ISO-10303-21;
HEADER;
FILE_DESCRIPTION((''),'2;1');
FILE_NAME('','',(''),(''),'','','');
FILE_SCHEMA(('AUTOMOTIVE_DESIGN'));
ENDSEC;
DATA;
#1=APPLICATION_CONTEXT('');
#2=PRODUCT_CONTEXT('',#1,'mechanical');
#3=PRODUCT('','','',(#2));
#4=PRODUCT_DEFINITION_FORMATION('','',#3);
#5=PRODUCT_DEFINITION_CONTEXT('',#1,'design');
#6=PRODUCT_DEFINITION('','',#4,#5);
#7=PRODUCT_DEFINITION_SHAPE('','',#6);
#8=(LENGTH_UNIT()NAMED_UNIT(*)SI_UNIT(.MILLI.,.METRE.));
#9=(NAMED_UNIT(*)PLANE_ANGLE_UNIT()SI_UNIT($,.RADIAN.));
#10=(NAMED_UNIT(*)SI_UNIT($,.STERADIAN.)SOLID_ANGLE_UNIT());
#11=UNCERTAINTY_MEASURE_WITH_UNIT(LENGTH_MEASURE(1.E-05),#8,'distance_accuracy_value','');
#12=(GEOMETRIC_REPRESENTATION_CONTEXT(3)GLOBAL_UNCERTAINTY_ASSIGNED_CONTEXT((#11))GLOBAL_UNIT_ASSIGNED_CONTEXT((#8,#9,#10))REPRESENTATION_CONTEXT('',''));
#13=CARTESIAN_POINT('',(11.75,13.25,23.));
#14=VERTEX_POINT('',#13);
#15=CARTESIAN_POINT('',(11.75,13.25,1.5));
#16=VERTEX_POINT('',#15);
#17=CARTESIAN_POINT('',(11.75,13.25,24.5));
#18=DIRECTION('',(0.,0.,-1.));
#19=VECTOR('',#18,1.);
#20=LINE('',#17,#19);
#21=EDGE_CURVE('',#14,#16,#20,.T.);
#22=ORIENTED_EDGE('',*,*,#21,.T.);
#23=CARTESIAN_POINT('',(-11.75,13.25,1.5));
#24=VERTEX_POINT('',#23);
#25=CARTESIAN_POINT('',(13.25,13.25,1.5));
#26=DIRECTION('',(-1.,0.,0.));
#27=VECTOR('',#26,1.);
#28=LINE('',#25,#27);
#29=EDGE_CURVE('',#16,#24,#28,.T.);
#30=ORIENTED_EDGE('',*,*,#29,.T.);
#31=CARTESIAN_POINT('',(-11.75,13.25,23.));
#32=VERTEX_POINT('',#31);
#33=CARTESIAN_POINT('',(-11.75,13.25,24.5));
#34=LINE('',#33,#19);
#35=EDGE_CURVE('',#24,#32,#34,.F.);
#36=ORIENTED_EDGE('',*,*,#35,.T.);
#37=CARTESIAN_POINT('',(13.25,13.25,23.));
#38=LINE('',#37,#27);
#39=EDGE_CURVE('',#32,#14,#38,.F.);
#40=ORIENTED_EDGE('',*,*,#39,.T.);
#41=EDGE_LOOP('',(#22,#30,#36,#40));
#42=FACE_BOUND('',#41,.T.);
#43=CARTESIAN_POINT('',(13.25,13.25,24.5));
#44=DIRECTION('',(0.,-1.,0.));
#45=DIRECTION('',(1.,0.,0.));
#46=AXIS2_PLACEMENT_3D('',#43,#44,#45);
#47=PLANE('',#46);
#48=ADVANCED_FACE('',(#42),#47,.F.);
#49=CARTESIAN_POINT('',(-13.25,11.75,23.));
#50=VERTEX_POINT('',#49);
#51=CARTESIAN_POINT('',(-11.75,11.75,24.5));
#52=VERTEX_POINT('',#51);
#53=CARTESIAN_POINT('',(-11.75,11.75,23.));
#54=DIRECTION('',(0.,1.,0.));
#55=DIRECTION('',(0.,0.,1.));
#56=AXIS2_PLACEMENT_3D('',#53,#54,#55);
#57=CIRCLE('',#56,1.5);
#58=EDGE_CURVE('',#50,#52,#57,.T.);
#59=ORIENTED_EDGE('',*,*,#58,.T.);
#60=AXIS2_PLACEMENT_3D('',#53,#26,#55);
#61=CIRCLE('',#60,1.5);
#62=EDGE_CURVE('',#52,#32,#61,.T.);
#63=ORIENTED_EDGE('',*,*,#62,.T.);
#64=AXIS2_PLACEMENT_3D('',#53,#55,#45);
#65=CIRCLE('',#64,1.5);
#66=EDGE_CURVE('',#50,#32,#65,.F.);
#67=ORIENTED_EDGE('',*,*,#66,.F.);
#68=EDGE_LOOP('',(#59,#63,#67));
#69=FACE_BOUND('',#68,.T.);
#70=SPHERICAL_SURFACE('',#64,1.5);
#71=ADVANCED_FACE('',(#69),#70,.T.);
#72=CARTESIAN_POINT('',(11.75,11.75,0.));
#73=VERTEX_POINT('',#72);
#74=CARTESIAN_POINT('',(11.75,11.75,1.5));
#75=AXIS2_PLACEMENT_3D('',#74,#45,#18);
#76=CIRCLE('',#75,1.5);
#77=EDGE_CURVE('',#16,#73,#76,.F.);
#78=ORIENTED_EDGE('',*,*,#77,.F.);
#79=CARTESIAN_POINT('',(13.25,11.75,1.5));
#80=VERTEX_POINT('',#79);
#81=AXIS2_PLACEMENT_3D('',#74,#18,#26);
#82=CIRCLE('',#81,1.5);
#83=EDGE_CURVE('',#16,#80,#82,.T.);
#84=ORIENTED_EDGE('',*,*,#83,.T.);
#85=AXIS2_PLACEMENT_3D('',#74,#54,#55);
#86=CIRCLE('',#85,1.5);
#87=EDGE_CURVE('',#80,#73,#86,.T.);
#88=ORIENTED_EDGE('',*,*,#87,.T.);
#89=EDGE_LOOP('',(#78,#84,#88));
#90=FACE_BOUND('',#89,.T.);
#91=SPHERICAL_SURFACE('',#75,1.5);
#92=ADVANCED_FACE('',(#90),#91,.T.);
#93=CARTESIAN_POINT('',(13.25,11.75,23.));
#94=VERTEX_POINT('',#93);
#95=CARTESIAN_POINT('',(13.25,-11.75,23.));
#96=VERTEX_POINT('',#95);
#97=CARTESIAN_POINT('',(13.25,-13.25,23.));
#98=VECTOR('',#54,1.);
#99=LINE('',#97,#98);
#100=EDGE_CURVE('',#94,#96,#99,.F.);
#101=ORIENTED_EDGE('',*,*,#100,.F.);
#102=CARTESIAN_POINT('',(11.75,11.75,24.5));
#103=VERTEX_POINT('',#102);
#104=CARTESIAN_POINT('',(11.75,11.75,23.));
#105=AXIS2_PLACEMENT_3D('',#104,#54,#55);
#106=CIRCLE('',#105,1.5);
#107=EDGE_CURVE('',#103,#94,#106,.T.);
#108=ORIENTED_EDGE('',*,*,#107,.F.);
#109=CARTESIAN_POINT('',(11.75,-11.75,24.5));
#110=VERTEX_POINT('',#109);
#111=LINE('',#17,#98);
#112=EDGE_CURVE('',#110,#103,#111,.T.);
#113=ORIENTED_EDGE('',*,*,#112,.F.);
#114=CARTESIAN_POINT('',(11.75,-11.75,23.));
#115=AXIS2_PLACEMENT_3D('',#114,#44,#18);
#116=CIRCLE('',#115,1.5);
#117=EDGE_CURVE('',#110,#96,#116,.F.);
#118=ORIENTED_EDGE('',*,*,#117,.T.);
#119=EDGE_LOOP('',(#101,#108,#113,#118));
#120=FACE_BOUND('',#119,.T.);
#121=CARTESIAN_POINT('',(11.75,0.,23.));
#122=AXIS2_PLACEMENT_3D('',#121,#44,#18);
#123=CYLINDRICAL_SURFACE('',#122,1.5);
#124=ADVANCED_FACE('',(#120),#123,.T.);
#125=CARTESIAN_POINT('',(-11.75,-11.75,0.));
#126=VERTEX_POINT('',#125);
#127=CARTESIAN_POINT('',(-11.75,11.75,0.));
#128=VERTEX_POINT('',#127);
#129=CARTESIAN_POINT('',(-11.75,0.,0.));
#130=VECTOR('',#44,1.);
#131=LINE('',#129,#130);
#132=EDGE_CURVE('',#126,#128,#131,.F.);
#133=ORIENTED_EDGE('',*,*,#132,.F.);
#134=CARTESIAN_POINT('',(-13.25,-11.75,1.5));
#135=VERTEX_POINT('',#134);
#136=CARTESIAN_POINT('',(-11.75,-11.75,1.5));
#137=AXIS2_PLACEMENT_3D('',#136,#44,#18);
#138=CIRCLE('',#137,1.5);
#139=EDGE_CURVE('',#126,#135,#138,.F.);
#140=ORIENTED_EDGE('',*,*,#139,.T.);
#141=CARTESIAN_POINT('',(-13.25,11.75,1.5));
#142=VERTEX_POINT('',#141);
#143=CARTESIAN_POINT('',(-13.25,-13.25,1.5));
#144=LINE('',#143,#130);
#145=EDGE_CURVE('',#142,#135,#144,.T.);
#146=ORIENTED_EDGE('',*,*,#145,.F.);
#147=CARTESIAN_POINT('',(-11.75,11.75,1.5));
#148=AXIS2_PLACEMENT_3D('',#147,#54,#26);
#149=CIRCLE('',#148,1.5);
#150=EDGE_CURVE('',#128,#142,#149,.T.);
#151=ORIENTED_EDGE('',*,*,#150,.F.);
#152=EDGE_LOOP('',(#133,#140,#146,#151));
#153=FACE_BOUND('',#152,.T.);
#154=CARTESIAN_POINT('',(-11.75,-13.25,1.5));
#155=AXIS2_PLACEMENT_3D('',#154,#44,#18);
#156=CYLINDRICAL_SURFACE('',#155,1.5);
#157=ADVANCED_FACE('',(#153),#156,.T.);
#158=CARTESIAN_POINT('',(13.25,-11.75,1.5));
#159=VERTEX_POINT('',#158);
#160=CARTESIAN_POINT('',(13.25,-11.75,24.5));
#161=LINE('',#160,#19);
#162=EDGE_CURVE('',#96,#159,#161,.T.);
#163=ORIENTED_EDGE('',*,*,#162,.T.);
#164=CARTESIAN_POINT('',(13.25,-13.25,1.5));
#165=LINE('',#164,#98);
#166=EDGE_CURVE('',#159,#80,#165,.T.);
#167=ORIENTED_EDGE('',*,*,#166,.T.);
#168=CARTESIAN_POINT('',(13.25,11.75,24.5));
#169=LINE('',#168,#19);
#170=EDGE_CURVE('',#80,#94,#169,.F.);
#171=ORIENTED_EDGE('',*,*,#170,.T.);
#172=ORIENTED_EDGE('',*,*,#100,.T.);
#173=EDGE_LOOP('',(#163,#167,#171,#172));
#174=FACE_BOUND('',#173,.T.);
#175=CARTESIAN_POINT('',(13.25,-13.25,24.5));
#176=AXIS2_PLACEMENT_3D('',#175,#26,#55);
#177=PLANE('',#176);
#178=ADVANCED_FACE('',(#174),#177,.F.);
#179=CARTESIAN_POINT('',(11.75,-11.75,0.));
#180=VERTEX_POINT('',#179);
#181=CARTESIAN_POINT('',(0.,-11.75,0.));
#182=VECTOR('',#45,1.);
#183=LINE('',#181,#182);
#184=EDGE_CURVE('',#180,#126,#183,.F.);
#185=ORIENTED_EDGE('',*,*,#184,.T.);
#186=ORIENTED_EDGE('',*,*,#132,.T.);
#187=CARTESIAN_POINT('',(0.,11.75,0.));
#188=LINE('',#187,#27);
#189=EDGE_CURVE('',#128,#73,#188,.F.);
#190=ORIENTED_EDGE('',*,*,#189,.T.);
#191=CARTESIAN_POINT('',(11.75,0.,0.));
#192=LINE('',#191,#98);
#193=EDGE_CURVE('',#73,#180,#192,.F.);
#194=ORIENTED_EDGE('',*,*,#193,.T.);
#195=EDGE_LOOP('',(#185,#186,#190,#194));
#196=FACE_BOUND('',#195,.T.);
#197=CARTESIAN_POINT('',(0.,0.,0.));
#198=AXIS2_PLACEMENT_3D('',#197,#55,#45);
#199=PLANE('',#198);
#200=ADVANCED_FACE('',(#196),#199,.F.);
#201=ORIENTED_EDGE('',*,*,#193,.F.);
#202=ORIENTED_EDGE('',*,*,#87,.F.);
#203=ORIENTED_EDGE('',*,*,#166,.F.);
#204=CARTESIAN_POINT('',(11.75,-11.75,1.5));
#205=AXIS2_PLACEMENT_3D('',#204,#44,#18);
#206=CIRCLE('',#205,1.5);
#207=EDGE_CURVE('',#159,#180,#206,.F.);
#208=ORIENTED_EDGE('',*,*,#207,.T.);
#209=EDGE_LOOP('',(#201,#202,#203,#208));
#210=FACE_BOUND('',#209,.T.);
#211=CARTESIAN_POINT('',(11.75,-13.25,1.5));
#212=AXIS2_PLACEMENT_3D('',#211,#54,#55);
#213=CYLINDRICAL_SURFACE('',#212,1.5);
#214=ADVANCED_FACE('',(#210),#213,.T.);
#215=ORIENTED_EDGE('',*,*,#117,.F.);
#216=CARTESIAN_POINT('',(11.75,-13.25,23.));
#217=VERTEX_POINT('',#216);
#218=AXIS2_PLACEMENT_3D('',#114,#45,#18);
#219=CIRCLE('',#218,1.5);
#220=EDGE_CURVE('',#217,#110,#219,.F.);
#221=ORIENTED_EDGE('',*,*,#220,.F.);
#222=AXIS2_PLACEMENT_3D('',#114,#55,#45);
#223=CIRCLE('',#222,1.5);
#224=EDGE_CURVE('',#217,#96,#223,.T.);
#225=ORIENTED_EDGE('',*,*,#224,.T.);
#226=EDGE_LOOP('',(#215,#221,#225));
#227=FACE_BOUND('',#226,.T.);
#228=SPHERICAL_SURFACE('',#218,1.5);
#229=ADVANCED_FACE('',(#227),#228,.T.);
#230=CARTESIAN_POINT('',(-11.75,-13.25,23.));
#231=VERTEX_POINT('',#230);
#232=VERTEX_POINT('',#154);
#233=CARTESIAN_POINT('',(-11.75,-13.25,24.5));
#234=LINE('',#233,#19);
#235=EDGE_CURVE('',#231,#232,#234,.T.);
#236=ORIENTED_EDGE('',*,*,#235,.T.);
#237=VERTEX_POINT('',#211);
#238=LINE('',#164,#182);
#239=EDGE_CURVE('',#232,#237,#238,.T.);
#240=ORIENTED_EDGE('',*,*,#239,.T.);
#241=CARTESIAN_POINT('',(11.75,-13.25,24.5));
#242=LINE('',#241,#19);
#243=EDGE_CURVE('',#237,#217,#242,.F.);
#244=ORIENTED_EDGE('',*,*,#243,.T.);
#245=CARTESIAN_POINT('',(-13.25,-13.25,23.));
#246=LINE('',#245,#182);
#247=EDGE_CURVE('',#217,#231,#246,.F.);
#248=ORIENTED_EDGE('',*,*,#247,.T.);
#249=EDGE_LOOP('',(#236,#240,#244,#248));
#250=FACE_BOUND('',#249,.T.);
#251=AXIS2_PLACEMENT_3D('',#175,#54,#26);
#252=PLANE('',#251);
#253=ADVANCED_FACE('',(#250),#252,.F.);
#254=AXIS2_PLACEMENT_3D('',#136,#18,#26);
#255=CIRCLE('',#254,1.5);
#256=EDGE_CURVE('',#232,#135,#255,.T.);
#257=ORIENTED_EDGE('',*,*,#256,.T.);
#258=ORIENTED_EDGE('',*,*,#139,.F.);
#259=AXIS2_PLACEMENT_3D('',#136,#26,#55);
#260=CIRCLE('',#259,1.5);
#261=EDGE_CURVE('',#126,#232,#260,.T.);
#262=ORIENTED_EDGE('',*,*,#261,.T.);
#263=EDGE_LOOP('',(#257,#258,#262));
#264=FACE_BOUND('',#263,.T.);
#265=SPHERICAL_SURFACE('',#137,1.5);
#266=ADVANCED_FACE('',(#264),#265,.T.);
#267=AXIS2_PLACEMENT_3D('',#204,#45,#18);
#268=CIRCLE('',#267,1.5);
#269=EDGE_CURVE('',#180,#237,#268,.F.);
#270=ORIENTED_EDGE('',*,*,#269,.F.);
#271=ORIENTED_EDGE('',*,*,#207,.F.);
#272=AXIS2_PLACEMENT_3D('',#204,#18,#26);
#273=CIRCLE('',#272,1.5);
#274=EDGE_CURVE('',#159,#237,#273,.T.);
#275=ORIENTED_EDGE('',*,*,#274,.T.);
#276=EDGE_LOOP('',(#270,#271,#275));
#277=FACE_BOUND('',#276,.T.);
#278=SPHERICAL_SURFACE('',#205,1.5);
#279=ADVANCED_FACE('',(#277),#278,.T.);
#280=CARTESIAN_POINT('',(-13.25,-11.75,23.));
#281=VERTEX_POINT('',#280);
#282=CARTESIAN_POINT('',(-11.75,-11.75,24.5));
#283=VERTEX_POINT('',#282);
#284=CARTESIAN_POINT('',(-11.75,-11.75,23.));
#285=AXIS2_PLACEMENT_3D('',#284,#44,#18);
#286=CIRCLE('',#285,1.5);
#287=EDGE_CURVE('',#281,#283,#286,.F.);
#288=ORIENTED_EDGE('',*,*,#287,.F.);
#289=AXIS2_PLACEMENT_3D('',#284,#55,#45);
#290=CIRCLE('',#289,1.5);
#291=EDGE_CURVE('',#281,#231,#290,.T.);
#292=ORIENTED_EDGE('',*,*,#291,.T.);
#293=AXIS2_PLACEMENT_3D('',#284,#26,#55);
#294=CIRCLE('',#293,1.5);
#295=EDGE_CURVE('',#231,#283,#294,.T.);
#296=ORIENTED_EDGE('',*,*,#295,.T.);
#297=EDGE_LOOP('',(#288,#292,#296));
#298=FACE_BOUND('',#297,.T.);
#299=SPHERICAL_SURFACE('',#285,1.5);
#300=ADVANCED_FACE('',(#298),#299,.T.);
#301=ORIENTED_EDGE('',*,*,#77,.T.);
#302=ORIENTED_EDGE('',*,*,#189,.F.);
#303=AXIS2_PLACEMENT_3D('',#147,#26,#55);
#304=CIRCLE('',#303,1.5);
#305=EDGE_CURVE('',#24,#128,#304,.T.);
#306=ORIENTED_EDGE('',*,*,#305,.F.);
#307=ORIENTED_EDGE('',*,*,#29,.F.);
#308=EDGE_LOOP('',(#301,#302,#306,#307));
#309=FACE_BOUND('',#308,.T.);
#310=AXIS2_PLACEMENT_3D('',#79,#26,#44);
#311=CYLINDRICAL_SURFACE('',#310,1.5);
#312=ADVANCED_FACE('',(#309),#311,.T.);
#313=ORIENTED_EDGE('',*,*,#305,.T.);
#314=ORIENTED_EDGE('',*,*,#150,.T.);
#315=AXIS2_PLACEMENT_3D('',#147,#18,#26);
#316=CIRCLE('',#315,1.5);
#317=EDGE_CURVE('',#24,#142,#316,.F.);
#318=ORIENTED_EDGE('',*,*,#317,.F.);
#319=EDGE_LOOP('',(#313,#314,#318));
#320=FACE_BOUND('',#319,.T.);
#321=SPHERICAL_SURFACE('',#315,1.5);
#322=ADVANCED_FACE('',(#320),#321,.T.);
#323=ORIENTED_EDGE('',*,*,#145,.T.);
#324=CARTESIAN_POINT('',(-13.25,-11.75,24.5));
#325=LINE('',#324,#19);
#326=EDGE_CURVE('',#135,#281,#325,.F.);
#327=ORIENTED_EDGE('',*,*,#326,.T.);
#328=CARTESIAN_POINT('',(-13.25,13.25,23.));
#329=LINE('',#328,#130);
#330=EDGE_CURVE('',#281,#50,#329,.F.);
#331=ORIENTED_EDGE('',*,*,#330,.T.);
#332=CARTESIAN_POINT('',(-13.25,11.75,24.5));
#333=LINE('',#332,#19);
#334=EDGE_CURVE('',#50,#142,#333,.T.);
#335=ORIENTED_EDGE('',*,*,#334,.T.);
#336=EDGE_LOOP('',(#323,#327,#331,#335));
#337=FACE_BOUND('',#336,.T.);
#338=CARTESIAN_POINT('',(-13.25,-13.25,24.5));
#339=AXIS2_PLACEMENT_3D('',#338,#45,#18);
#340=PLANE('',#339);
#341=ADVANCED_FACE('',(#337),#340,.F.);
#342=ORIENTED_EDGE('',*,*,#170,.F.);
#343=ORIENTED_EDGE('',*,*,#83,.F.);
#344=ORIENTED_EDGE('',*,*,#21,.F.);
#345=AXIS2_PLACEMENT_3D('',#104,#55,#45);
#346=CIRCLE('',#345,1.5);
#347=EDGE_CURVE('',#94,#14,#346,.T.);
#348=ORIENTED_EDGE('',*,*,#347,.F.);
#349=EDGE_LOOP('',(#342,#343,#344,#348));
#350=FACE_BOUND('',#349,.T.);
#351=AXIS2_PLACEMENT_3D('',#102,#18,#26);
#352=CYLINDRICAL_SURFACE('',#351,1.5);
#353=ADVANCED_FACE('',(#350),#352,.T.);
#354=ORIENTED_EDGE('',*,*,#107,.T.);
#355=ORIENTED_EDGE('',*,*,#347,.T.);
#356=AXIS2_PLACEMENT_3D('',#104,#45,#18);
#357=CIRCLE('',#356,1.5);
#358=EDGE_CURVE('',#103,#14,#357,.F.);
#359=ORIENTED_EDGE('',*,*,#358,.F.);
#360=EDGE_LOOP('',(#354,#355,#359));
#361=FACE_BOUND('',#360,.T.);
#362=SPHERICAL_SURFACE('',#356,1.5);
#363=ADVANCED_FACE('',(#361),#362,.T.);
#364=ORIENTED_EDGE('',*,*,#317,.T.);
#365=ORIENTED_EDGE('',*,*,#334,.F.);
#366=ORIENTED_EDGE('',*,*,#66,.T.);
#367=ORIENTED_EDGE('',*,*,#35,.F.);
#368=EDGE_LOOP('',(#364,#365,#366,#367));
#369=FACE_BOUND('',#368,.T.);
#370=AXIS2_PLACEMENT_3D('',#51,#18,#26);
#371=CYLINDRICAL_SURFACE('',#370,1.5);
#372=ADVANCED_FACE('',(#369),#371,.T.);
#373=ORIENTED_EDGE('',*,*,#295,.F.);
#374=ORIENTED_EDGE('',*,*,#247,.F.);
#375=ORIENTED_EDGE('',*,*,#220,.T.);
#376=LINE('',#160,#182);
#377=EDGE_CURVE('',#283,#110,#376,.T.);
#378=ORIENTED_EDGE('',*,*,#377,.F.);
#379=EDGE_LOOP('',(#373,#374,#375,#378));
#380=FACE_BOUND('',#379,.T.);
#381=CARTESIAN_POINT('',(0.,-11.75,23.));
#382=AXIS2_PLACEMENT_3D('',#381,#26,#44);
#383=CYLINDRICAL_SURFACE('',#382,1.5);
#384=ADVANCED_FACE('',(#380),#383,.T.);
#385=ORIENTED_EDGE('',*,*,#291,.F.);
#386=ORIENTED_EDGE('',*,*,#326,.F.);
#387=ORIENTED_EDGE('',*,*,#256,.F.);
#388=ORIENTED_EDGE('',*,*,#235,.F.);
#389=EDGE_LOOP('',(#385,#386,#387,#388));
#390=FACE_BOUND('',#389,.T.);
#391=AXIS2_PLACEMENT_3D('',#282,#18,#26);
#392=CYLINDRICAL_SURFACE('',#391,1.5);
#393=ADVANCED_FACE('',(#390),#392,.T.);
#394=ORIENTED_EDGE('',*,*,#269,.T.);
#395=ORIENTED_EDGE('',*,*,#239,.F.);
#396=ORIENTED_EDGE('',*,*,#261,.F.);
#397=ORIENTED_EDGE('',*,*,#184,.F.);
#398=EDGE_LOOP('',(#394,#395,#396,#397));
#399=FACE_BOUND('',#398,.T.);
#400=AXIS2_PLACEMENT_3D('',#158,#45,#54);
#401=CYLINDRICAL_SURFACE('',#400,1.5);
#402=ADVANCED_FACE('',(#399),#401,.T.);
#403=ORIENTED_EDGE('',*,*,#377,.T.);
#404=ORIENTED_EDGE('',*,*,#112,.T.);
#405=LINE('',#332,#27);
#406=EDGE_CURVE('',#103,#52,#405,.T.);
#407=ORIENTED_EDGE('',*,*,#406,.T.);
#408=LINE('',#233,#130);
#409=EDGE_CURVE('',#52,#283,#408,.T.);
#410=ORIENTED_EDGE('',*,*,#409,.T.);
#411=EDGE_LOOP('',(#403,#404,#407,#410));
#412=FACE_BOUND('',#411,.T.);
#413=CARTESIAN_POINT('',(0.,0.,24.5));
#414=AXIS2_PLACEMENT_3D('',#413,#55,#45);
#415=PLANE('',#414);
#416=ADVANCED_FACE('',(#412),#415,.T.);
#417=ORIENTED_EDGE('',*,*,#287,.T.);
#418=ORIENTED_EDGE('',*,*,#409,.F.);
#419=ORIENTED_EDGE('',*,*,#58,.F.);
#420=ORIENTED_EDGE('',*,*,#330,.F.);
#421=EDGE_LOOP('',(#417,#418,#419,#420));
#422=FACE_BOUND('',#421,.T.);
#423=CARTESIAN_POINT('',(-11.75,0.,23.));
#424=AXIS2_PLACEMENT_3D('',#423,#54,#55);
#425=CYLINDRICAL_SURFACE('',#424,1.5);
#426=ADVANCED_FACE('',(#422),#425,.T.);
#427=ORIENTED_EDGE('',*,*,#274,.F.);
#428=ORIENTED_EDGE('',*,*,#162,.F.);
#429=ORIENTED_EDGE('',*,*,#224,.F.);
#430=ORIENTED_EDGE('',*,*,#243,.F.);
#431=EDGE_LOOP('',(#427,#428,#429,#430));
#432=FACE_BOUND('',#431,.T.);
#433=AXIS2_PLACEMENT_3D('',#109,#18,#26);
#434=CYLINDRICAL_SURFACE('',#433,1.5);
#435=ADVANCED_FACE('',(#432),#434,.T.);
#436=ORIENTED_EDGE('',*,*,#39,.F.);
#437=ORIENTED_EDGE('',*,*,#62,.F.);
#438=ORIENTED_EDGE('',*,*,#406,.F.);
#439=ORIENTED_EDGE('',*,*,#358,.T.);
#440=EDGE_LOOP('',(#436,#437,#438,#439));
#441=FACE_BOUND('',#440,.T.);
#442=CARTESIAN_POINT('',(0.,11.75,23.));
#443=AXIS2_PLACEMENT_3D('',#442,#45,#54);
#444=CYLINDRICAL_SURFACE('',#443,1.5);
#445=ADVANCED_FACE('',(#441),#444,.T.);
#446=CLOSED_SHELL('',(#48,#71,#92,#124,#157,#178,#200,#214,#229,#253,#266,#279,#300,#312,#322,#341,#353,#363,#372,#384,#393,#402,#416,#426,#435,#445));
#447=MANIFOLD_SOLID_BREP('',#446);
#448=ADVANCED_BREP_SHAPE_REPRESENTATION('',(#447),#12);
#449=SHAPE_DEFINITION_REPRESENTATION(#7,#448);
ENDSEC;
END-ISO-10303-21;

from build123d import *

# Parameters (mm, degrees)
CROQUIS1_W              = 26.5
CROQUIS1_H              = 26.5
SALIENTE_EXTRUIR1_DEPTH = 24.5
REDONDEO1_R             = 1.5


with BuildPart() as part:
    # Croquis1 → Saliente-Extruir1 (new body)
    with BuildSketch(Plane.XY):
        Rectangle(CROQUIS1_W, CROQUIS1_H)
    extrude(amount=SALIENTE_EXTRUIR1_DEPTH)

    # Redondeo1
    redondeo1_edges = [part.edges().sort_by_distance(p)[0] for p in [
        (13.25, 0, 24.5),
        (0, 13.25, 24.5),
        (-13.25, 0, 24.5),
        (0, 13.25, 0),
        (13.25, 0, 0),
        (0, -13.25, 0),
        (-13.25, 0, 0),
        (-13.25, 13.25, 12.25),
        (13.25, 13.25, 12.25),
        (13.25, -13.25, 12.25),
        (-13.25, -13.25, 12.25),
        (0, -13.25, 24.5),
    ]]
    fillet(redondeo1_edges, radius=REDONDEO1_R)


solid = part.part
